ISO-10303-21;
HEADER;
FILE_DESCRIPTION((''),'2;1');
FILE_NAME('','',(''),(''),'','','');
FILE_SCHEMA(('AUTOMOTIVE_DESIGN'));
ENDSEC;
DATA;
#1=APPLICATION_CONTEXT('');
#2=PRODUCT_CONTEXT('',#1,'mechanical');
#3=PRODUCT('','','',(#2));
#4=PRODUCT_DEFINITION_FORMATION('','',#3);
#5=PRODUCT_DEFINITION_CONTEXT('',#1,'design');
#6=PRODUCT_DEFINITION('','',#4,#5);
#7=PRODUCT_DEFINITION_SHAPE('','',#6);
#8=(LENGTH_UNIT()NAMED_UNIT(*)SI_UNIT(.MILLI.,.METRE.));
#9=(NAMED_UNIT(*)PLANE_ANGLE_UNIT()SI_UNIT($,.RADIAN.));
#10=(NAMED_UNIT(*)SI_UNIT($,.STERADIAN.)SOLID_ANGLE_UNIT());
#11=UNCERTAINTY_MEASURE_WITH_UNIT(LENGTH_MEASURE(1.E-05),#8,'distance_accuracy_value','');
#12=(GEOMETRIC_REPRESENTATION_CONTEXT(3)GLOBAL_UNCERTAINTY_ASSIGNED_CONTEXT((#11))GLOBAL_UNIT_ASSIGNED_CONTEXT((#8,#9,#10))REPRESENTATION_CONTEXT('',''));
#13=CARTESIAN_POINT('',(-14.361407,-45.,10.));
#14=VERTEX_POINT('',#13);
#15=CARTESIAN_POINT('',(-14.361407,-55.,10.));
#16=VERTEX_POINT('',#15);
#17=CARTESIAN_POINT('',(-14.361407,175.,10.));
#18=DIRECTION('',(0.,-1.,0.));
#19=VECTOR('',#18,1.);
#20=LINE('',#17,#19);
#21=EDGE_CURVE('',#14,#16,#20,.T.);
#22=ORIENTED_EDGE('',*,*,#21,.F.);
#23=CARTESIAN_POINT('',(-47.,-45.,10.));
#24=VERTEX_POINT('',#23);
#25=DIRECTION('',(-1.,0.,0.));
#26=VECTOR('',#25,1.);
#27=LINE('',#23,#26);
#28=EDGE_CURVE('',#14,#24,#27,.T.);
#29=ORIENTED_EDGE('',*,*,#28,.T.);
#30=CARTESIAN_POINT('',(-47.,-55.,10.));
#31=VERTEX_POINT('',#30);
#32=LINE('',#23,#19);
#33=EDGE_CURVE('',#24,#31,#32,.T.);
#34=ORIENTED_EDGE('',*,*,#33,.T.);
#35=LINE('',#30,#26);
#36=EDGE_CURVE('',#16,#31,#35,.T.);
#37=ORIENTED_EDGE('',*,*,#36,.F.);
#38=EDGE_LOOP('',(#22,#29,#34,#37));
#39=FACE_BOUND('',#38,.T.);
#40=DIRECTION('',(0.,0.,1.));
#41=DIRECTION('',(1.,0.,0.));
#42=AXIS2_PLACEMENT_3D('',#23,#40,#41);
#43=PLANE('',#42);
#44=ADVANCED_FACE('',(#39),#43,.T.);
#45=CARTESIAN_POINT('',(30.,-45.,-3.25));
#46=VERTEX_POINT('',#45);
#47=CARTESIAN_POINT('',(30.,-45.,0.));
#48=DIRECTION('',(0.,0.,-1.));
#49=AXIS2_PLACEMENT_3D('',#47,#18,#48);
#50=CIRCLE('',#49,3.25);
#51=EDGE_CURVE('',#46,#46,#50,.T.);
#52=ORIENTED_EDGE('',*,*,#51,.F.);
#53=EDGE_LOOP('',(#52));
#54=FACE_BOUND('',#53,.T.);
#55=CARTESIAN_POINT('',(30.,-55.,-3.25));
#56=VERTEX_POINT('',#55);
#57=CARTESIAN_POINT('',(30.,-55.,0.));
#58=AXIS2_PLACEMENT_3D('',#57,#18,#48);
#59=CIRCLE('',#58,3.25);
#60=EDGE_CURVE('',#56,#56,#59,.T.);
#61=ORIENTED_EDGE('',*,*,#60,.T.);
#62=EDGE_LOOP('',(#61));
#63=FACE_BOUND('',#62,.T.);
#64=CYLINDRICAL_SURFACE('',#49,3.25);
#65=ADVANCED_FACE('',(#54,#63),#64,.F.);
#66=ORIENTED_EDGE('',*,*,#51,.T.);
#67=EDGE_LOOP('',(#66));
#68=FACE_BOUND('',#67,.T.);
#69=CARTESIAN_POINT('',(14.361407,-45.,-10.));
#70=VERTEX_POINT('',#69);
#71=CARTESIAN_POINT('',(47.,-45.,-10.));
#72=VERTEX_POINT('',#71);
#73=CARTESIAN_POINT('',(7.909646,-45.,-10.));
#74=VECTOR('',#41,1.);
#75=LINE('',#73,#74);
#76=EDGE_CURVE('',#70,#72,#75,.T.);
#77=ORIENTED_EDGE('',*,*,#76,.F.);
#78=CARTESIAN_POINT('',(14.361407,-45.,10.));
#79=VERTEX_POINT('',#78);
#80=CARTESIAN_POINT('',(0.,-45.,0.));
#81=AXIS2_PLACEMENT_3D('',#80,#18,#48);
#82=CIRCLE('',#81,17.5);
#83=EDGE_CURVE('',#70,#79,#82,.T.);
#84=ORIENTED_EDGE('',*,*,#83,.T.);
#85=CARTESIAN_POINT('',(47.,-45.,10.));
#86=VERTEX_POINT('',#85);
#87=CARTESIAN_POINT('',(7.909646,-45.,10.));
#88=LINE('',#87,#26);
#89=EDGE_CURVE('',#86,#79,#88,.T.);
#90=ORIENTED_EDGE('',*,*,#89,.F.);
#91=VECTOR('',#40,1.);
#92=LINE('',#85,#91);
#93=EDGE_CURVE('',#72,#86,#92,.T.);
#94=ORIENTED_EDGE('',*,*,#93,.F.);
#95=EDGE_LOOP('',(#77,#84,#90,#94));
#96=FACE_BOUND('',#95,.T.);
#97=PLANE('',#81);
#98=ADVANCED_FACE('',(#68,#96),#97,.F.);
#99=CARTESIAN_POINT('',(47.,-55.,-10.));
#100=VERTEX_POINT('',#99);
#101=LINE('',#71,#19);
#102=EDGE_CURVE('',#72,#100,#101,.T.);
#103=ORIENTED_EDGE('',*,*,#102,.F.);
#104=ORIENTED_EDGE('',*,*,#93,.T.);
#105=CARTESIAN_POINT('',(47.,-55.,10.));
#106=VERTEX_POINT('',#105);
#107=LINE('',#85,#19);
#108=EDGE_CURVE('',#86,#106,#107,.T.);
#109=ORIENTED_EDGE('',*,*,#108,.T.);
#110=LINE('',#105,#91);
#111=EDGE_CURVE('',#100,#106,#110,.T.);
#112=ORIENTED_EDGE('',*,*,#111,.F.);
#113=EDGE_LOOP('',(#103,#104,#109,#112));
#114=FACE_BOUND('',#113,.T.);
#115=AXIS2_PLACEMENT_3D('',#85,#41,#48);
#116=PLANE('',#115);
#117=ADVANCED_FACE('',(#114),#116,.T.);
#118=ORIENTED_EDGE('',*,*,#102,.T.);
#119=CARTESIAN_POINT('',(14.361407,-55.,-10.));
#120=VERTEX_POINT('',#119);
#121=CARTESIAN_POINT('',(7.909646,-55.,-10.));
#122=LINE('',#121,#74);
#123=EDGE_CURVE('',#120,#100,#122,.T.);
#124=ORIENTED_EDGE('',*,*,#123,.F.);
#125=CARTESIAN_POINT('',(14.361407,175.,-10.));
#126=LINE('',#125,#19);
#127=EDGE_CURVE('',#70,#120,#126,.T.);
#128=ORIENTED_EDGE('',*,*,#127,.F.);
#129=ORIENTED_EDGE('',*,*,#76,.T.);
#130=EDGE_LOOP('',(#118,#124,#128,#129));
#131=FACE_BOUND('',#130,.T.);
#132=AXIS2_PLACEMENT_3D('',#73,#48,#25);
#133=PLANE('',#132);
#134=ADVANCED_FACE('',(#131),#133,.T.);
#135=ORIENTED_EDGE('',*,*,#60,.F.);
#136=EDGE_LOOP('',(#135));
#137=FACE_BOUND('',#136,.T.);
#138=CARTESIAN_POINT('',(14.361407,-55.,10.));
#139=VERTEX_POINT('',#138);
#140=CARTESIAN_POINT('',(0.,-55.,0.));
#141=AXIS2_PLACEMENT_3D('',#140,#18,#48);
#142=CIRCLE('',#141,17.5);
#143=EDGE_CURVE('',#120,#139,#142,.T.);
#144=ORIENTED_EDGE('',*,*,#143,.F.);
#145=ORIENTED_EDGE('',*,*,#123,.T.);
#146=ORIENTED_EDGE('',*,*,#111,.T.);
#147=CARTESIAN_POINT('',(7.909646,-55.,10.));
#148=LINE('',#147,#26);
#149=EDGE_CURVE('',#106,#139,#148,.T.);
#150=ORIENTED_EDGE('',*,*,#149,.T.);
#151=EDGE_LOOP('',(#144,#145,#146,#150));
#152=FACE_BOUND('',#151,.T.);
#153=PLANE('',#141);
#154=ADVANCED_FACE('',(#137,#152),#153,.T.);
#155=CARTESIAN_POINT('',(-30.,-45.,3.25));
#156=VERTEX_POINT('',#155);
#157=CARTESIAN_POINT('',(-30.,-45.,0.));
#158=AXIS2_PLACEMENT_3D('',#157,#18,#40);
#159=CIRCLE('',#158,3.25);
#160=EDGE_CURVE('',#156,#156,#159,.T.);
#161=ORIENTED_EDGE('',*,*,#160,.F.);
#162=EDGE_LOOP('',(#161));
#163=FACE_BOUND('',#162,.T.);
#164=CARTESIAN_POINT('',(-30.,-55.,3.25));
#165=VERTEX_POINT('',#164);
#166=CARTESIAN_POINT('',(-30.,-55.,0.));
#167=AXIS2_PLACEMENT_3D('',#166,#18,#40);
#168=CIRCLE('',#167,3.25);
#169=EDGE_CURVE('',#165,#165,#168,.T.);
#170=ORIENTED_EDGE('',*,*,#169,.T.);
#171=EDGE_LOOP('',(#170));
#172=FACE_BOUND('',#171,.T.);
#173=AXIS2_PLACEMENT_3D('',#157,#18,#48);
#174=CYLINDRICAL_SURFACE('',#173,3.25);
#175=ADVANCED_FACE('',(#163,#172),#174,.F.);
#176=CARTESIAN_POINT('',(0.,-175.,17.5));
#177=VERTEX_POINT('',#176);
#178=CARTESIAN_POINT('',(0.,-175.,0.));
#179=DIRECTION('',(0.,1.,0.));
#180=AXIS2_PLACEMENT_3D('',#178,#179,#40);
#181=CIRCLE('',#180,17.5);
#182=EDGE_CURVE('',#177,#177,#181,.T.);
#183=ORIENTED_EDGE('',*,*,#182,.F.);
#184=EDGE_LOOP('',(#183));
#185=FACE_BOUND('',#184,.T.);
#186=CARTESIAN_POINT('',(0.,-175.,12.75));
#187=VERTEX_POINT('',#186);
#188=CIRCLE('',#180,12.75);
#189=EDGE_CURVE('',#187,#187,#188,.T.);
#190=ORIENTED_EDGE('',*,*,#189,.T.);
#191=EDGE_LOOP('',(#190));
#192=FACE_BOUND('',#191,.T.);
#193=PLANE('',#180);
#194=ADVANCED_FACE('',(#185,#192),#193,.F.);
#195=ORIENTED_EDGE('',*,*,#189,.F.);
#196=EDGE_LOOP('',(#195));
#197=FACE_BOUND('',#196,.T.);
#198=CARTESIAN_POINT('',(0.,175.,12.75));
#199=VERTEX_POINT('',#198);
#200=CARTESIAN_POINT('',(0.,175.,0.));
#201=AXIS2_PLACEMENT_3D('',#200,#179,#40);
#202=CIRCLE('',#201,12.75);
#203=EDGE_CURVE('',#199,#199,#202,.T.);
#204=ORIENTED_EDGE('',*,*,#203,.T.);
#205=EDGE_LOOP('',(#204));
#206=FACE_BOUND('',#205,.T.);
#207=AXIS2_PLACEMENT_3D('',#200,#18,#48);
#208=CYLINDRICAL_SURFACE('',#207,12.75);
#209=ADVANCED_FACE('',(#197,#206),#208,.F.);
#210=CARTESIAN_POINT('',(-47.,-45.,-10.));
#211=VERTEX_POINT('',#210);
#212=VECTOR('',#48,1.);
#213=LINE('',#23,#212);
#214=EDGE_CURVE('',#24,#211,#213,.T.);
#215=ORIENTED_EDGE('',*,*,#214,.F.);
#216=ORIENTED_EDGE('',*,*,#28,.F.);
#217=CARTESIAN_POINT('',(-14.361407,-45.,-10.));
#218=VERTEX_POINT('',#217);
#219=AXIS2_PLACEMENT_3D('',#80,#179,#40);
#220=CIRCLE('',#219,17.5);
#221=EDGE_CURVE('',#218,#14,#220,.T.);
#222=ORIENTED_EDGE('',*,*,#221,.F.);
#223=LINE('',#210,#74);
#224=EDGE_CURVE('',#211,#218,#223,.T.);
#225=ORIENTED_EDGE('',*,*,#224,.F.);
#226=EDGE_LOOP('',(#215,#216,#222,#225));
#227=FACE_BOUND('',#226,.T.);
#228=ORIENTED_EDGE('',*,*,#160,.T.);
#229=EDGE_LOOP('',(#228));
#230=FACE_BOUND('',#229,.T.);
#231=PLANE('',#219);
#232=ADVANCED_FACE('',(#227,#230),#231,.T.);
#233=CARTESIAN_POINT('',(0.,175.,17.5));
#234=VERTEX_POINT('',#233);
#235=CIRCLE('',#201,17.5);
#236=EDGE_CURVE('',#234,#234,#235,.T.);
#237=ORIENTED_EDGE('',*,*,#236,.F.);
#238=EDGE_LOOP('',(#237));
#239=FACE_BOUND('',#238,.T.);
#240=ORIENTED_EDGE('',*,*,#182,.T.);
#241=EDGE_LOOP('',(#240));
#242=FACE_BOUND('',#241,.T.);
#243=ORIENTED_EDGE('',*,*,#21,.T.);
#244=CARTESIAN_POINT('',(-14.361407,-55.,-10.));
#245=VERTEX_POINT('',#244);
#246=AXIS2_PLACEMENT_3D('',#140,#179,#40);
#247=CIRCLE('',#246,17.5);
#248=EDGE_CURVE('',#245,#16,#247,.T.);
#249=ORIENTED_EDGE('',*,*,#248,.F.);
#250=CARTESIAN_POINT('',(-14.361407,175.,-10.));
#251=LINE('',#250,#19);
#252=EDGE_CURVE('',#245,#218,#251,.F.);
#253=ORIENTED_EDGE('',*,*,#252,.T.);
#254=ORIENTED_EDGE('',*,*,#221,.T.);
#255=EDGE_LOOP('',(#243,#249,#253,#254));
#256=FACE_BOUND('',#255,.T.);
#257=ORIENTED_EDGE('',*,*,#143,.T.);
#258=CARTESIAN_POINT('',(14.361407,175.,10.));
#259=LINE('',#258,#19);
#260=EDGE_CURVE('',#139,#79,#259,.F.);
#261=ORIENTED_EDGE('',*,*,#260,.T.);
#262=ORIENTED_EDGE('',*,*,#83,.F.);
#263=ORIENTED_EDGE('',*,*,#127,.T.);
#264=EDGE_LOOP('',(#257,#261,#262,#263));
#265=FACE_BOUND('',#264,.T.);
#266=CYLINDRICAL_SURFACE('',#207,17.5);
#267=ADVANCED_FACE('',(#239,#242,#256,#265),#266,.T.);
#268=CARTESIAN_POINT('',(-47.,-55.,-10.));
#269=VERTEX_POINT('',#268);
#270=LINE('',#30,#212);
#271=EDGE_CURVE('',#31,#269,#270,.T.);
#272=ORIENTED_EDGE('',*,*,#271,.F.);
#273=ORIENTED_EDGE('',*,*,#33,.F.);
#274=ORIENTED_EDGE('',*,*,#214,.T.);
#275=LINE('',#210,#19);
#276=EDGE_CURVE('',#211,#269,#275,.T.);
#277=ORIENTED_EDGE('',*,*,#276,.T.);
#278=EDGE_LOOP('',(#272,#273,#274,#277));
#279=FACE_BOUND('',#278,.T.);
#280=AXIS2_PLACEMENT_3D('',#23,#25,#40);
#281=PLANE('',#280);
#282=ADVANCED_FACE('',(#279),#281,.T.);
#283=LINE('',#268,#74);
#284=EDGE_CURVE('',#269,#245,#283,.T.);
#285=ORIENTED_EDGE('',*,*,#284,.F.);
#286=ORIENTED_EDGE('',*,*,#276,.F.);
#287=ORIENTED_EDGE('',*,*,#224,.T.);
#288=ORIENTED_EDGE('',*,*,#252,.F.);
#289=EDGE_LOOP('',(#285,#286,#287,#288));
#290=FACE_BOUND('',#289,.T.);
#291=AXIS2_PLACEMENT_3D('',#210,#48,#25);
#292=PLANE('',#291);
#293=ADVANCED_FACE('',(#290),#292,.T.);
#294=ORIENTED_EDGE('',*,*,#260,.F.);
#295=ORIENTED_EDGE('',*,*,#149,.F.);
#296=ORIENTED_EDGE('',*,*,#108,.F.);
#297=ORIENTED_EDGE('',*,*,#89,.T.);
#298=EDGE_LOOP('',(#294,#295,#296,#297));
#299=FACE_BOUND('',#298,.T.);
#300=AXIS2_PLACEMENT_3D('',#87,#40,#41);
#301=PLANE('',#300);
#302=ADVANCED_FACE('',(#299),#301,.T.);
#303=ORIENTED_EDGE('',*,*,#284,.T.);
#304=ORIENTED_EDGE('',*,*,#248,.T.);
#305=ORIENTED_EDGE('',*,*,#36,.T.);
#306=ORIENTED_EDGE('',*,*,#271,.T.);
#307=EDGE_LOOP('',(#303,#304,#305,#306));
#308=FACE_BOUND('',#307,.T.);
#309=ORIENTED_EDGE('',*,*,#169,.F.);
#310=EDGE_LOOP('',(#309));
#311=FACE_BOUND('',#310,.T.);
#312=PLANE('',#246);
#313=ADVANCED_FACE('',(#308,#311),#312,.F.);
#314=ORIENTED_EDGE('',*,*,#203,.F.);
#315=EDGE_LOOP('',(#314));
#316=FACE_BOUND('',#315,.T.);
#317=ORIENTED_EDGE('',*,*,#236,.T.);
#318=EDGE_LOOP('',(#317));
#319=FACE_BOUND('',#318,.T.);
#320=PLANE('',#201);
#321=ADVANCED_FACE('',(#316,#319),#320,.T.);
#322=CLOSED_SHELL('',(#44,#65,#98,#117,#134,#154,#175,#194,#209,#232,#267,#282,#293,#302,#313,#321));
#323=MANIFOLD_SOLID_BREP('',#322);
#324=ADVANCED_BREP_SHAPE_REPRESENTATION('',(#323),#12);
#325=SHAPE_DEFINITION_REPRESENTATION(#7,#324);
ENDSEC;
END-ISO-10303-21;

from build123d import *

# Parameters (mm, degrees)
SKETCH1_R           = 17.5
SKETCH1_R_2         = 12.75
BOSS_EXTRUDE1_DEPTH = 175
SKETCH3_R           = 3.25
BOSS_EXTRUDE2_DEPTH = 10


with BuildPart() as part:
    # Sketch1 → Boss-Extrude1 (new, symmetric)
    with BuildSketch(Plane(origin=(0, 0, 0), x_dir=(1, 0, 0), z_dir=(0, 1, 0))):
        with Locations(Location((0, 0, 0), (0, 0, 270))):
            Circle(SKETCH1_R)
        with Locations(Location((0, 0, 0), (0, 0, 270))):
            Circle(SKETCH1_R_2, mode=Mode.SUBTRACT)
    extrude(amount=BOSS_EXTRUDE1_DEPTH, both=True)

    # Sketch3 → Boss-Extrude2 (add)
    # profile 1 of 2: a face of its own
    with BuildSketch(Plane(origin=(0, -55, 0), x_dir=(-1, 0, 0), z_dir=(0, -1, 0))):
        with BuildLine():
            Line((47, -10), (7.90964601, -10))
            ThreePointArc((7.90964601, -10), (12.75, 0), (7.90964601, 10))
            Line((7.90964601, 10), (47, 10))
            Line((47, 10), (47, -10))
        make_face()
        with Locations(Location((30, 0, 0), (0, 0, 270))):
            Circle(SKETCH3_R, mode=Mode.SUBTRACT)
    # profile 2 of 2: a face of its own
    with BuildSketch(Plane(origin=(0, -55, 0), x_dir=(-1, 0, 0), z_dir=(0, -1, 0))):
        with BuildLine():
            Line((-47, -10), (-47, 10))
            Line((-47, 10), (-7.90964601, 10))
            ThreePointArc((-7.90964601, 10), (-12.75, 0), (-7.90964601, -10))
            Line((-7.90964601, -10), (-47, -10))
        make_face()
        with Locations(Location((-30, 0, 0), (0, 0, 90))):
            Circle(SKETCH3_R, mode=Mode.SUBTRACT)
    extrude(amount=-BOSS_EXTRUDE2_DEPTH)


solid = part.part
